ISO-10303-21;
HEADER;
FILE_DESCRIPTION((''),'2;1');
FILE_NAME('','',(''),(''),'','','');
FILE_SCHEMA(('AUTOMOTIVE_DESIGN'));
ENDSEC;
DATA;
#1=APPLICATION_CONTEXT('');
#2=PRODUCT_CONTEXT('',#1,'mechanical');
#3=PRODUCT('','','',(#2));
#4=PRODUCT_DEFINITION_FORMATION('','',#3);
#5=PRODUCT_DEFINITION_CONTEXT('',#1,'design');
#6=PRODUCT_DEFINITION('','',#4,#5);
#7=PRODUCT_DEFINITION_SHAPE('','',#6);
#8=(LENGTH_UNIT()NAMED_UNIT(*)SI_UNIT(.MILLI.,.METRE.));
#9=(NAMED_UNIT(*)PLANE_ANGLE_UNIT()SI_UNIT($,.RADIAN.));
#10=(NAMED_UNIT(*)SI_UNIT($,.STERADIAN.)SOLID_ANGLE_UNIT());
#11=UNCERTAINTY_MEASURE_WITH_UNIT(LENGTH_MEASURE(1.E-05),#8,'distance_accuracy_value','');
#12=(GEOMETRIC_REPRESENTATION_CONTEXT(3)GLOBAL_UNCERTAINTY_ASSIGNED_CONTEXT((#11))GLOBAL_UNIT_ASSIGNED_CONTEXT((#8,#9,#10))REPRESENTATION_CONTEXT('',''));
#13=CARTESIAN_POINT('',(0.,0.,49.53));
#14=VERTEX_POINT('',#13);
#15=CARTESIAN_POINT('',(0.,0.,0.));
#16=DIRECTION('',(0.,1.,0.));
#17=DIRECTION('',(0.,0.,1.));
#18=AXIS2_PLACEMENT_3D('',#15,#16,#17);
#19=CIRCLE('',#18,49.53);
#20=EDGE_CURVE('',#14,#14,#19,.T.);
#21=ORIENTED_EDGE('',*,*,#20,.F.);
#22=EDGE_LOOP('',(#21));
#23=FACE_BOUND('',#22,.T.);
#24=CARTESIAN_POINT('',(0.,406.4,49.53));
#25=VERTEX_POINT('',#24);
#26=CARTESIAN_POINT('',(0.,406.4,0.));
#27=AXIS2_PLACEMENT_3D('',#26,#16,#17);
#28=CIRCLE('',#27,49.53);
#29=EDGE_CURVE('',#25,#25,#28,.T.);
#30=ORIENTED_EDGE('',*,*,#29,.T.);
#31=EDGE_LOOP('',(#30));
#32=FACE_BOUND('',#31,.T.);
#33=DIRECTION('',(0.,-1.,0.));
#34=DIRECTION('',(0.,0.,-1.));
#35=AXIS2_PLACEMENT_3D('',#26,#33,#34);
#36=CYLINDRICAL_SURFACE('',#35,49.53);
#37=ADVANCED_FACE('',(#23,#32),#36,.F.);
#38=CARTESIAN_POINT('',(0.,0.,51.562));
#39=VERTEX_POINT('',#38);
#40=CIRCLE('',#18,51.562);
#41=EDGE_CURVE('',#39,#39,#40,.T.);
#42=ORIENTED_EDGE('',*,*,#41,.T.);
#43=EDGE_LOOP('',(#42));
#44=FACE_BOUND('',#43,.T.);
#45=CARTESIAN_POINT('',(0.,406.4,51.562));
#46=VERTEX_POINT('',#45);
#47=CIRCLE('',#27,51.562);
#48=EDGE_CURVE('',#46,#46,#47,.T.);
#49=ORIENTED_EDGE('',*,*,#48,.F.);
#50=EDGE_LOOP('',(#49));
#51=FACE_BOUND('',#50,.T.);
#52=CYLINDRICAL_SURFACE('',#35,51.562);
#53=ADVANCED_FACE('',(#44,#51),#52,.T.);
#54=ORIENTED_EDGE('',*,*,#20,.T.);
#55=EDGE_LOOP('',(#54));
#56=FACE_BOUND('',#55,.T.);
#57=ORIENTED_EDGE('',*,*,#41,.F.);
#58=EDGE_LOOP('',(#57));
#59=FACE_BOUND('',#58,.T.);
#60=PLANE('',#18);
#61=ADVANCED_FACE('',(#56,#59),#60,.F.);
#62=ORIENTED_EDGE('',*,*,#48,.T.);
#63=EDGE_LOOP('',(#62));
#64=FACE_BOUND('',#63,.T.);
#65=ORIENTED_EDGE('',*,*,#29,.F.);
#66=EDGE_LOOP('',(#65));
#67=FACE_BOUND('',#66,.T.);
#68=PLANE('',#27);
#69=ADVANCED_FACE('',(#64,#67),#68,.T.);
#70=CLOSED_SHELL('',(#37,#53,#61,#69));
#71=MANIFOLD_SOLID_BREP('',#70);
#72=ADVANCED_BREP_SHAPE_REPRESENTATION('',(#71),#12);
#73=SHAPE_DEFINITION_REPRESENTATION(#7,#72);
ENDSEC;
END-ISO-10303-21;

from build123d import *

# Parameters (mm, degrees)
SKETCH1_R           = 51.562
SKETCH1_R_2         = 49.53
BOSS_EXTRUDE1_DEPTH = 406.4


with BuildPart() as part:
    # Sketch1 → Boss-Extrude1 (new body)
    with BuildSketch(Plane(origin=(0, 0, 0), x_dir=(1, 0, 0), z_dir=(0, 1, 0))):
        with Locations(Location((0, 0, 0), (0, 0, 270))):
            Circle(SKETCH1_R)
        with Locations(Location((0, 0, 0), (0, 0, 270))):
            Circle(SKETCH1_R_2, mode=Mode.SUBTRACT)
    extrude(amount=BOSS_EXTRUDE1_DEPTH)


solid = part.part
